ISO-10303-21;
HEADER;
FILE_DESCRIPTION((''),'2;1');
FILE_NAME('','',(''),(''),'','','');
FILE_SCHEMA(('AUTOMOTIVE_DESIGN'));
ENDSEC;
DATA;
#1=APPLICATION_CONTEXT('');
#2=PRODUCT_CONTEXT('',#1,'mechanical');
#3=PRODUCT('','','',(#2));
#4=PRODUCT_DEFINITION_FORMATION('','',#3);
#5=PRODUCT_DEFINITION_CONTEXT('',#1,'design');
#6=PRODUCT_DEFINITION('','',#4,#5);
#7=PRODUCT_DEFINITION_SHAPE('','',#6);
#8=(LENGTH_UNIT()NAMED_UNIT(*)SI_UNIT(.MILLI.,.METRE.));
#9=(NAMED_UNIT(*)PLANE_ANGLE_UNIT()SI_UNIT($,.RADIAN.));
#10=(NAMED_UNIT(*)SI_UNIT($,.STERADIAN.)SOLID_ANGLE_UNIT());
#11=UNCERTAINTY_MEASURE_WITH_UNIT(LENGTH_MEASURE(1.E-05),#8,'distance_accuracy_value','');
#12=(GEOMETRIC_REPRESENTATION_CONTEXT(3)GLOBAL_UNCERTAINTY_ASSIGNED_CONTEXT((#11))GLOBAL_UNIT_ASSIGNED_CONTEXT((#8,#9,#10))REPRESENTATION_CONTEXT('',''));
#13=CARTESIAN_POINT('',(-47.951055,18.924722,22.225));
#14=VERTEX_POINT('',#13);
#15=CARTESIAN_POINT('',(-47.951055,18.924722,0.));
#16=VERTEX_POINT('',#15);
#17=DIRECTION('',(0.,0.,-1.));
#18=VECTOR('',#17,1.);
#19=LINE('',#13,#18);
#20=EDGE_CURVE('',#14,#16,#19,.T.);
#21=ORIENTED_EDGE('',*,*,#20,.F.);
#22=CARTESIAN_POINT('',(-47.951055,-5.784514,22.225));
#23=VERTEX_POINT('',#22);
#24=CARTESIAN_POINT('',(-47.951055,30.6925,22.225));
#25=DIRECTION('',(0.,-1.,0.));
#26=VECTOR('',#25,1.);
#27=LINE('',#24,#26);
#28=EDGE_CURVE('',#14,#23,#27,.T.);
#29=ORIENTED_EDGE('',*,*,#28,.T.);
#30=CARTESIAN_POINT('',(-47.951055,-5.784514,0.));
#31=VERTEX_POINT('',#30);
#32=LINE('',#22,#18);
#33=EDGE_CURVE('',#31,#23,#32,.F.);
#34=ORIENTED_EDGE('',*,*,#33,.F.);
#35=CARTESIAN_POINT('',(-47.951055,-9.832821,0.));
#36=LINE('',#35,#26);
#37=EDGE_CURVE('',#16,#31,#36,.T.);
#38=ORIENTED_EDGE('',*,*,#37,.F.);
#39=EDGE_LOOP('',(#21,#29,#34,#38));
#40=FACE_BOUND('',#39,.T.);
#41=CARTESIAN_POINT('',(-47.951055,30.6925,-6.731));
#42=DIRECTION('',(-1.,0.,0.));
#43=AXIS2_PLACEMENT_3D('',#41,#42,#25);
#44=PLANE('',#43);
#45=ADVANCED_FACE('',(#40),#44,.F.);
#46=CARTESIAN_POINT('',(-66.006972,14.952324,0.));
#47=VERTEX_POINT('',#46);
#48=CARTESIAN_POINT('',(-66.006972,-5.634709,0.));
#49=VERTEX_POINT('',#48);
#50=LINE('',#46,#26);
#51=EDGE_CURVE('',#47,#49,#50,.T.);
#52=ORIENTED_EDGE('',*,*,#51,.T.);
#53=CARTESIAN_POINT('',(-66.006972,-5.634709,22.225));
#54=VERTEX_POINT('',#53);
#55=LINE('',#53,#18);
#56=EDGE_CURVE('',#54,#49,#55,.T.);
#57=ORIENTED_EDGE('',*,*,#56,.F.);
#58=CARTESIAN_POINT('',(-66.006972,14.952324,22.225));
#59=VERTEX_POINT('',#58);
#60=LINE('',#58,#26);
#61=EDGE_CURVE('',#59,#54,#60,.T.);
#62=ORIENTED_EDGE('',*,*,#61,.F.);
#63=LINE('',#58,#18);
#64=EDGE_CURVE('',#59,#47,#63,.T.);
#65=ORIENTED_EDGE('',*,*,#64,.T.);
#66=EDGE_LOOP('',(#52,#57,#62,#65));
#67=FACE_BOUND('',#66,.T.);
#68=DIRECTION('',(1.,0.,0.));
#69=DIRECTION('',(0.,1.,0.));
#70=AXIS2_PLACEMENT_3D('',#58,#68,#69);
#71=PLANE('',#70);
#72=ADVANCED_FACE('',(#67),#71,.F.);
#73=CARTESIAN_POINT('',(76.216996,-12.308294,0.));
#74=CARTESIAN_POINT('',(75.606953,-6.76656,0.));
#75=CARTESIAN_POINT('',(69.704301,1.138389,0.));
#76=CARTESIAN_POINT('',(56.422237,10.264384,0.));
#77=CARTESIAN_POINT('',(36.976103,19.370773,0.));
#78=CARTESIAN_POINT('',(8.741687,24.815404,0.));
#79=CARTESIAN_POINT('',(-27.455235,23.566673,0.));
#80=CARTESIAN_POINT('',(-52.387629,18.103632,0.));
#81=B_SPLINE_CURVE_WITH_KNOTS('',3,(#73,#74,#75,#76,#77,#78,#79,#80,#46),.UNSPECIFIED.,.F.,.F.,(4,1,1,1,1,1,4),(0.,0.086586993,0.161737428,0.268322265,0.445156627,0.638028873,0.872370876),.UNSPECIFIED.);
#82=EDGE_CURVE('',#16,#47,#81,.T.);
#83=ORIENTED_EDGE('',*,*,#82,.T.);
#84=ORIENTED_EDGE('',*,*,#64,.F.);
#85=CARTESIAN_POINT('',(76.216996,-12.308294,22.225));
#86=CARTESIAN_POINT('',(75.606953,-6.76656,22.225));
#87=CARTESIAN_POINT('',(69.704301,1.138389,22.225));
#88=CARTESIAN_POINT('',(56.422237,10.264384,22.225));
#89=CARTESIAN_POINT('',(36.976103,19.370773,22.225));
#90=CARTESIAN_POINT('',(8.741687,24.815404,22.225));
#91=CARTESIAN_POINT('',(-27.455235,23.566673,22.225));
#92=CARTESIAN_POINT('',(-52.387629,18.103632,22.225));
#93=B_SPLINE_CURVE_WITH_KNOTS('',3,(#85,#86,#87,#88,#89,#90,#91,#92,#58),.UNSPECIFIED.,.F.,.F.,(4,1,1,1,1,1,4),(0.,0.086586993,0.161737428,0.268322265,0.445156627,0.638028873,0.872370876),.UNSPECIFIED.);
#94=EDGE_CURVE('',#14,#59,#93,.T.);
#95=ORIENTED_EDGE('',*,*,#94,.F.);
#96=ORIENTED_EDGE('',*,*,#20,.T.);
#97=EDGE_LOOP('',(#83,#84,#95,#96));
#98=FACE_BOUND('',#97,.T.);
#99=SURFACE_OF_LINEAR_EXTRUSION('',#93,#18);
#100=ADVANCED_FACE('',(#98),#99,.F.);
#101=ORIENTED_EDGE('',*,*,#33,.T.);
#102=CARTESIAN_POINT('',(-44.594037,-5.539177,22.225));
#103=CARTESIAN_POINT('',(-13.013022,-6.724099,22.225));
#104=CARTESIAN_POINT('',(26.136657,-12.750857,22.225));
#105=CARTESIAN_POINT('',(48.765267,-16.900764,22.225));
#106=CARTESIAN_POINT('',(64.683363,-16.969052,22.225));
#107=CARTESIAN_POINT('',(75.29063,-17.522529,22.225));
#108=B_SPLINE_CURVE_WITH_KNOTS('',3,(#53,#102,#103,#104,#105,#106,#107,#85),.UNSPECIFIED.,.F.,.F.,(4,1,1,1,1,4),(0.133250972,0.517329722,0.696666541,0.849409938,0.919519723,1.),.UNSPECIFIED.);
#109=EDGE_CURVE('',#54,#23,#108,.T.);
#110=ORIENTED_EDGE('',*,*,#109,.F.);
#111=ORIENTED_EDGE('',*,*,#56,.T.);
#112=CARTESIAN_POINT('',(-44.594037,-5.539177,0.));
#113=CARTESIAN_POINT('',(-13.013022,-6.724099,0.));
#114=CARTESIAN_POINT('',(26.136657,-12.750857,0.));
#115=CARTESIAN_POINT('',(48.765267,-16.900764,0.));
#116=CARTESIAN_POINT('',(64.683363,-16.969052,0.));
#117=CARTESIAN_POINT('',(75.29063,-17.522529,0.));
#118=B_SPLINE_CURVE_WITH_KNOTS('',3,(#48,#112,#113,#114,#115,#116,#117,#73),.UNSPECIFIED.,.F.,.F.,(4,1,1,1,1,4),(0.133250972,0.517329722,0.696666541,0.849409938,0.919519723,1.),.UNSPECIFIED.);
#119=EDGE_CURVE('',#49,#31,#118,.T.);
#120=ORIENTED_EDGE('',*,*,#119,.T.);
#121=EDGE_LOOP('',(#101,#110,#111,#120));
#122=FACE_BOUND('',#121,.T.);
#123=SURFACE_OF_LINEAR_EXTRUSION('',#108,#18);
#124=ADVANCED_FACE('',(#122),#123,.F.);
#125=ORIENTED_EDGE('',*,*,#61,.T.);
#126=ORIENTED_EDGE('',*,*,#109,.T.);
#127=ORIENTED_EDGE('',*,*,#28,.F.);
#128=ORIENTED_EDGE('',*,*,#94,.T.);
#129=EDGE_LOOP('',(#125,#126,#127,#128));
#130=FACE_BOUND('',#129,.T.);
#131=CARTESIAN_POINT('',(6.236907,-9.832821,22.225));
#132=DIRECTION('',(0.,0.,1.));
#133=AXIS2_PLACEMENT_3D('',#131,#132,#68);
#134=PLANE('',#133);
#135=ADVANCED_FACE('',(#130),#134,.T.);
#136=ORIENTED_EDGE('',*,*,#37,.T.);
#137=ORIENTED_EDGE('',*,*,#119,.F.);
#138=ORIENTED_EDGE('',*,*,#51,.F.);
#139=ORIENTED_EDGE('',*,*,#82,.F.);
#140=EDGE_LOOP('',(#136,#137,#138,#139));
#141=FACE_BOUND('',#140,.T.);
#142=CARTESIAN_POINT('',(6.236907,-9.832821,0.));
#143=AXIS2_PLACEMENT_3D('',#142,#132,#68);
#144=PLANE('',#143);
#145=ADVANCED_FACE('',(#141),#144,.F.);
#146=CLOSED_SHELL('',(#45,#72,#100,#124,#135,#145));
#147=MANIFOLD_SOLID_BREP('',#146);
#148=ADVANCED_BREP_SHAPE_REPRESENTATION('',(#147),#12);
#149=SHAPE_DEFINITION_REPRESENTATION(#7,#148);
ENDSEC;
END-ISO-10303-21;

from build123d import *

# Parameters (mm, degrees)
SKETCH1_R           = 2.127
BOSS_EXTRUDE1_DEPTH = 22.225
SKETCH2_W           = 215.463137009
SKETCH2_H           = 53.36276468
CUT_EXTRUDE1_DEPTH  = 28.956


with BuildPart() as part:
    # Sketch1 → Boss-Extrude1 (new body)
    with BuildSketch(Plane.XY):
        with BuildLine():
            Line((-66.006971629, 14.952323969), (-66.006971629, -5.634708623))
            add(Edge.make_bspline(
                [(-66.006971629, -5.634708623), (-44.594037188, -5.53917688), (-13.013022308, -6.724098502), (26.136656569, -12.750856754), (48.765267423, -16.900764204), (64.683362663, -16.969052393), (75.290630493, -17.522529218), (76.216996263, -12.308293591)],
                knots=[0.133250972, 0.133250972, 0.133250972, 0.133250972, 0.517329722, 0.696666541, 0.849409938, 0.919519723, 1, 1, 1, 1], degree=3))
            add(Edge.make_bspline(
                [(76.216996263, -12.308293591), (75.606952539, -6.766559658), (69.704300689, 1.138389205), (56.422236631, 10.264383598), (36.976103105, 19.370772836), (8.741687209, 24.815403957), (-27.455234983, 23.566672909), (-52.387628688, 18.103631651), (-66.006971629, 14.952323969)],
                knots=[0, 0, 0, 0, 0.086586993, 0.161737428, 0.268322265, 0.445156627, 0.638028873, 0.872370876, 0.872370876, 0.872370876, 0.872370876], degree=3))
        make_face()
        with Locations((63.516996263, -7.228293591)):
            Circle(SKETCH1_R, mode=Mode.SUBTRACT)
        with Locations((-25.383003737, 13.091706409)):
            Circle(SKETCH1_R, mode=Mode.SUBTRACT)
    extrude(amount=BOSS_EXTRUDE1_DEPTH)

    # Sketch2 → Cut-Extrude1 (cut)
    with BuildSketch(Plane.XY.offset(22.225)):
        with Locations((59.780513575, 4.011118028)):
            Rectangle(SKETCH2_W, SKETCH2_H)
    extrude(amount=-CUT_EXTRUDE1_DEPTH, mode=Mode.SUBTRACT)


solid = part.part
